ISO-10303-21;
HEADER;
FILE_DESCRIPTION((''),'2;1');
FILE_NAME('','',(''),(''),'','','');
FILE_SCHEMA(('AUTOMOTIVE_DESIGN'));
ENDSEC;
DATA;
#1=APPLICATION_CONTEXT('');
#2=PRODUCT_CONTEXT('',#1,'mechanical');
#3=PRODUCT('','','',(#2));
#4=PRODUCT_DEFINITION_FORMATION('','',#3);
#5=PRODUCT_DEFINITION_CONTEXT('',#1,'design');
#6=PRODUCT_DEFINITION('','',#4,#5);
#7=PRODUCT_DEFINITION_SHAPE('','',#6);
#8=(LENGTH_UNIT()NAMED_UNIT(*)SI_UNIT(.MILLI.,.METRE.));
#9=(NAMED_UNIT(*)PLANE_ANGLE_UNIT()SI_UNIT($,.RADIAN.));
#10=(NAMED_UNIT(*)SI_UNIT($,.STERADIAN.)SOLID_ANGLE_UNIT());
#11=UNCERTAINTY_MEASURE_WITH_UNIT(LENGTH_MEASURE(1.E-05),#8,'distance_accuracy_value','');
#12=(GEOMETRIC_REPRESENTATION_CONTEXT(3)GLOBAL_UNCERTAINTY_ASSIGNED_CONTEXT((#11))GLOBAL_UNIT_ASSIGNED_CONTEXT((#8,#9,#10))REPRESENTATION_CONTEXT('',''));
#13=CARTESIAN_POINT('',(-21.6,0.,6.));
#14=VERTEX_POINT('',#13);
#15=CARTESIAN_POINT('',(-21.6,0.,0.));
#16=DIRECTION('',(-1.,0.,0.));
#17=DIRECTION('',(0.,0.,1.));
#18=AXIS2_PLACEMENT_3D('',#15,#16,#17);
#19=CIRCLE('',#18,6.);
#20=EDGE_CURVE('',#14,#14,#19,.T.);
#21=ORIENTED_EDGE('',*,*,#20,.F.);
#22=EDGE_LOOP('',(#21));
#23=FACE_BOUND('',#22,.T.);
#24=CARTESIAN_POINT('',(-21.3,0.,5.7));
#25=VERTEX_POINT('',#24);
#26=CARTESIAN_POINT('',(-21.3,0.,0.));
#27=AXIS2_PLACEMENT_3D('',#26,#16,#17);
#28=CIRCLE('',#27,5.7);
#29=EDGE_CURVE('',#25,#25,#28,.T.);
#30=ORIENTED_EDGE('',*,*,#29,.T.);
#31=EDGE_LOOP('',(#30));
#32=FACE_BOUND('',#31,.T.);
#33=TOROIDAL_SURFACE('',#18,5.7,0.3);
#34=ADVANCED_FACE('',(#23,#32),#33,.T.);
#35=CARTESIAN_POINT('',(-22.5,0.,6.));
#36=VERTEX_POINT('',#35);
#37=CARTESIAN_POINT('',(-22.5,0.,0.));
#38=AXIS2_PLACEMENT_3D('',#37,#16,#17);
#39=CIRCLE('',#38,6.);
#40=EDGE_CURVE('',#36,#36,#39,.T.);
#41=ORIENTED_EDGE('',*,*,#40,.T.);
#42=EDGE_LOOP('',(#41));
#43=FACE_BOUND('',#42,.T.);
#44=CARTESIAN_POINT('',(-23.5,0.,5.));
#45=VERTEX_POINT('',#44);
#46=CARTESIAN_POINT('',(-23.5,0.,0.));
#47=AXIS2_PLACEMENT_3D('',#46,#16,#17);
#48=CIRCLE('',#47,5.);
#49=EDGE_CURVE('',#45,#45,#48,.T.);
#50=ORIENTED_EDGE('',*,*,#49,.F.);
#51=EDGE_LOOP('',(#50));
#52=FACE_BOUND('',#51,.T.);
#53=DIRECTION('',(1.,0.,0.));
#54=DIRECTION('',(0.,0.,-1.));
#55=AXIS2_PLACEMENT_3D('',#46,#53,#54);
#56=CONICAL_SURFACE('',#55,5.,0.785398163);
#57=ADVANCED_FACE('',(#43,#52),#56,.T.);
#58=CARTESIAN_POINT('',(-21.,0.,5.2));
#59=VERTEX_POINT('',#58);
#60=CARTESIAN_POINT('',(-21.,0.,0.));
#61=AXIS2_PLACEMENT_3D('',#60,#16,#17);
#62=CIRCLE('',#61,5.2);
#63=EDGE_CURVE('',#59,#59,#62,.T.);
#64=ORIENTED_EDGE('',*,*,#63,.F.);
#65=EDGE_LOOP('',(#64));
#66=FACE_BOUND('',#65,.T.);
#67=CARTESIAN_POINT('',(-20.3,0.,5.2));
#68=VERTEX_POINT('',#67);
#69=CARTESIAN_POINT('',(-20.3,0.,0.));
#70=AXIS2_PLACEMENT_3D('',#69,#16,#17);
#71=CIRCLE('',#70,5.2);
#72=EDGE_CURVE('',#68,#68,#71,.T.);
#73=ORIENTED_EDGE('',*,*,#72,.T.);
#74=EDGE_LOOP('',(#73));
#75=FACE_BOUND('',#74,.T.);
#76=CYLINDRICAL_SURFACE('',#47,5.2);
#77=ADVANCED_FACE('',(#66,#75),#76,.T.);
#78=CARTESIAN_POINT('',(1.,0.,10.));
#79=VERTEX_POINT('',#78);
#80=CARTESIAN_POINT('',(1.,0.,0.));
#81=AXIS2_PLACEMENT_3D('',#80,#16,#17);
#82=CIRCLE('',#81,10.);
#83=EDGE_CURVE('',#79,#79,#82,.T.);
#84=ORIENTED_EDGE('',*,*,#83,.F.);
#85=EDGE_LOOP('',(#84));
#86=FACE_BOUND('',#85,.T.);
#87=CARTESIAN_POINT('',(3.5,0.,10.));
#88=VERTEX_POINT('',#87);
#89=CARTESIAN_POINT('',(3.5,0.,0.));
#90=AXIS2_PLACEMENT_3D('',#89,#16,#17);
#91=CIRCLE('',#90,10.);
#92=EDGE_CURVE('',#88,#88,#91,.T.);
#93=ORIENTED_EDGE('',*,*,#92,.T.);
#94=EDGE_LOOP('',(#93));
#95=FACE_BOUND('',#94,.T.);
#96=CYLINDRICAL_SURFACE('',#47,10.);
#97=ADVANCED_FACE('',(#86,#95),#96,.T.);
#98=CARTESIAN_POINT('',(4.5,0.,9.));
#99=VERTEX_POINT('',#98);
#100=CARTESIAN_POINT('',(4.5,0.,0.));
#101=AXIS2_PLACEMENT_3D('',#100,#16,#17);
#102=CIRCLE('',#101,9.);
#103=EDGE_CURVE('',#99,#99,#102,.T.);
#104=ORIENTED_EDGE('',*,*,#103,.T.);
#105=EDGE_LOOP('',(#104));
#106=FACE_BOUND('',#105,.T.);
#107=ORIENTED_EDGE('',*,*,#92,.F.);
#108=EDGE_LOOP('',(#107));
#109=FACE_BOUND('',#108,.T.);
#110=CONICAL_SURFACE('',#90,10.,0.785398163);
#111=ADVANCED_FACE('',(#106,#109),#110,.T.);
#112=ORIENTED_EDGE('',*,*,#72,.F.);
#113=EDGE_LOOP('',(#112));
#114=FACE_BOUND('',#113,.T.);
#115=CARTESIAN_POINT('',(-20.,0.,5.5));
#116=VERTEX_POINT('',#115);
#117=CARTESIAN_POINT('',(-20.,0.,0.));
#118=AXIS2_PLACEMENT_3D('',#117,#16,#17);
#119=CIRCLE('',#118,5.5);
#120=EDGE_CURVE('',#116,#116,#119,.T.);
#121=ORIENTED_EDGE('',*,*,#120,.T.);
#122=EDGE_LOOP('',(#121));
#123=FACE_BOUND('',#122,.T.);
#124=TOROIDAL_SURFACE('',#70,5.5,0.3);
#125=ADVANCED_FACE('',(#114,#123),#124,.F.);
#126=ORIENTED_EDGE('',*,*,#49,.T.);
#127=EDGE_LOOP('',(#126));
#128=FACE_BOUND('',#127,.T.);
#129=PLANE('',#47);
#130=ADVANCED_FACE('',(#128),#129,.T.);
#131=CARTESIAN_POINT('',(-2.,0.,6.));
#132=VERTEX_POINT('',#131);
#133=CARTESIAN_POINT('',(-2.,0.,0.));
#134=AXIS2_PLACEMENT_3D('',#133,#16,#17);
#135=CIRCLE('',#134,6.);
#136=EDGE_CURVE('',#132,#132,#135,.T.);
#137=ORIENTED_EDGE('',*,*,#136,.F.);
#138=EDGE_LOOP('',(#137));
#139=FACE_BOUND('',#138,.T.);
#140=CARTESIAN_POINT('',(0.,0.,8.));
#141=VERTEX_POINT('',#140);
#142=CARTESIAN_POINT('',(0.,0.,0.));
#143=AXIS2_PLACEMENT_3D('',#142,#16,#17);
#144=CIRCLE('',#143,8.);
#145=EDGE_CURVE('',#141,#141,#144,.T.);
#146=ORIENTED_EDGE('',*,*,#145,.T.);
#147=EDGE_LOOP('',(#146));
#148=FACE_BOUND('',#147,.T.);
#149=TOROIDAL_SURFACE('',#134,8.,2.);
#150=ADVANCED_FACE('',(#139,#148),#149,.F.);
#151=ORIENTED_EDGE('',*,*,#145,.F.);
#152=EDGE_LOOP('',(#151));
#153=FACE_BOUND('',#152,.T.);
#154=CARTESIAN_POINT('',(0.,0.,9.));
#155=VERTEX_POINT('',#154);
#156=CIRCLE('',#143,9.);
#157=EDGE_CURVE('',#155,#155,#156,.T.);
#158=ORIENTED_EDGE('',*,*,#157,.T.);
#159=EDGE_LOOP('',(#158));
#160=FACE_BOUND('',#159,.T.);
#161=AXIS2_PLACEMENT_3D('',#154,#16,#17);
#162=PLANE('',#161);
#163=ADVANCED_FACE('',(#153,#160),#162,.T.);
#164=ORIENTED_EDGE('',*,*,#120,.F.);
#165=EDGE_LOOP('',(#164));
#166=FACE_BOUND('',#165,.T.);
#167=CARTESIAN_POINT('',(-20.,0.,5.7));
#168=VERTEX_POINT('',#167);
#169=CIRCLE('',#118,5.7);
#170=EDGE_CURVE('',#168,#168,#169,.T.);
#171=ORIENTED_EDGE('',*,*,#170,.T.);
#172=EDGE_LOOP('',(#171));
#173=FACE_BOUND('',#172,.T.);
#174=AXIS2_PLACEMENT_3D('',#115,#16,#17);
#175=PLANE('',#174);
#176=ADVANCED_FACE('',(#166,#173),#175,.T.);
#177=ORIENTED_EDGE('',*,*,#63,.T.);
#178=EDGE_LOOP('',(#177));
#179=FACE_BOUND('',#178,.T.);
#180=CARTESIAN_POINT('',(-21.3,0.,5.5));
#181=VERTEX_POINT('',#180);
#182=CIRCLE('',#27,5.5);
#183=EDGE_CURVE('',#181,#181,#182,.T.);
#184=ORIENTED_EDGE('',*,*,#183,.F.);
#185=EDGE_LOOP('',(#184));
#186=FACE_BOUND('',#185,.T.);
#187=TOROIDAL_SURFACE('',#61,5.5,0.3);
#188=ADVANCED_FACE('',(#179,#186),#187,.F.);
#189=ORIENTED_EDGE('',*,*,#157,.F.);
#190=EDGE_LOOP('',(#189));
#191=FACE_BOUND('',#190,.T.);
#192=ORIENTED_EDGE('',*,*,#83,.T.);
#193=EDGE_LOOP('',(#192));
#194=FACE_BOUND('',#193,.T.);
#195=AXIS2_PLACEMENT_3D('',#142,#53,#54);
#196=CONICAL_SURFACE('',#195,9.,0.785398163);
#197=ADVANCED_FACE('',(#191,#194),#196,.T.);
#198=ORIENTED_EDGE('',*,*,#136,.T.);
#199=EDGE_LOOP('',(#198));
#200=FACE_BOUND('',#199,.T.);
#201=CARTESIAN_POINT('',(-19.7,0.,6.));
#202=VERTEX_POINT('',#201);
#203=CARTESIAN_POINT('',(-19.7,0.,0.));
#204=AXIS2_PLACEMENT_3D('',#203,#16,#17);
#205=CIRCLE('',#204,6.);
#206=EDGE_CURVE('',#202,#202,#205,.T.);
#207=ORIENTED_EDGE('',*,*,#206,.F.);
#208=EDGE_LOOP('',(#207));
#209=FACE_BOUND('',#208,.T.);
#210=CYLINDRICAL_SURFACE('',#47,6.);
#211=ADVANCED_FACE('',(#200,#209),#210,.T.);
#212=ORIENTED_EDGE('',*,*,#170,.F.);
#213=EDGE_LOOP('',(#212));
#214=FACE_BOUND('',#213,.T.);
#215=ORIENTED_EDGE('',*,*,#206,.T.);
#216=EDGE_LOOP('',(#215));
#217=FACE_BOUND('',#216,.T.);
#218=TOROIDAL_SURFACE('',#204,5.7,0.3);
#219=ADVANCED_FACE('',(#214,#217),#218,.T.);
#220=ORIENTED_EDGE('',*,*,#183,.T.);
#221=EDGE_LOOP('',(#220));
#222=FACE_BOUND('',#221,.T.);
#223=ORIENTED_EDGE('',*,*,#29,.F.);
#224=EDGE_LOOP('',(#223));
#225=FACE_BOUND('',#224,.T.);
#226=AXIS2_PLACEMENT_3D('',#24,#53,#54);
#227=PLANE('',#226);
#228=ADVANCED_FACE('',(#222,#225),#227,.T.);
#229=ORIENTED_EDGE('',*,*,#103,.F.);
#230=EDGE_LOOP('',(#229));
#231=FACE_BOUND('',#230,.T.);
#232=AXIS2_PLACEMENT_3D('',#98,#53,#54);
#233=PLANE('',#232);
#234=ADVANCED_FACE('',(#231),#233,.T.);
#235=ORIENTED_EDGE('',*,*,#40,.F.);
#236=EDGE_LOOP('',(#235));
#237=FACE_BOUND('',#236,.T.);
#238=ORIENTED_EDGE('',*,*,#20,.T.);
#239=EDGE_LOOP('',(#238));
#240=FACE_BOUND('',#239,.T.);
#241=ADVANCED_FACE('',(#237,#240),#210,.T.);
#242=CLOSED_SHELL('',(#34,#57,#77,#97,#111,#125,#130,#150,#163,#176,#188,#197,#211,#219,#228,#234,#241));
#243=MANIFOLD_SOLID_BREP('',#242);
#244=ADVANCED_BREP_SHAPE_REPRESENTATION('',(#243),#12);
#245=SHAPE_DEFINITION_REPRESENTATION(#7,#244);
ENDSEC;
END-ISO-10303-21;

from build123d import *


with BuildPart() as part:
    # Sketch1 → Revolve1 (revolve)
    with BuildSketch(Plane(origin=(0, 0, 0), x_dir=(-1, 0, 0), z_dir=(0, 1, 0))):
        with BuildLine():
            Line((-1, 10), (-3.5, 10))
            Line((-3.5, 10), (-4.5, 9))
            Line((-4.5, 9), (-4.5, 0))
            Line((-4.5, 0), (23.5, 0))
            Line((23.5, 0), (23.5, 5))
            Line((23.5, 5), (22.5, 6))
            Line((22.5, 6), (21.6, 6))
            ThreePointArc((21.6, 6), (21.387867966, 5.912132034), (21.3, 5.7))
            Line((21.3, 5.7), (21.3, 5.5))
            ThreePointArc((21.3, 5.5), (21.212132034, 5.287867966), (21, 5.2))
            Line((21, 5.2), (20.3, 5.2))
            ThreePointArc((20.3, 5.2), (20.087867966, 5.287867966), (20, 5.5))
            Line((20, 5.5), (20, 5.7))
            ThreePointArc((20, 5.7), (19.912132034, 5.912132034), (19.7, 6))
            Line((19.7, 6), (2, 6))
            ThreePointArc((2, 6), (0.585786438, 6.585786438), (0, 8))
            Line((0, 8), (0, 9))
            Line((0, 9), (-1, 10))
        make_face()
    revolve(axis=Axis((-23.5, 0, 0), (1, 0, 0)))


solid = part.part
